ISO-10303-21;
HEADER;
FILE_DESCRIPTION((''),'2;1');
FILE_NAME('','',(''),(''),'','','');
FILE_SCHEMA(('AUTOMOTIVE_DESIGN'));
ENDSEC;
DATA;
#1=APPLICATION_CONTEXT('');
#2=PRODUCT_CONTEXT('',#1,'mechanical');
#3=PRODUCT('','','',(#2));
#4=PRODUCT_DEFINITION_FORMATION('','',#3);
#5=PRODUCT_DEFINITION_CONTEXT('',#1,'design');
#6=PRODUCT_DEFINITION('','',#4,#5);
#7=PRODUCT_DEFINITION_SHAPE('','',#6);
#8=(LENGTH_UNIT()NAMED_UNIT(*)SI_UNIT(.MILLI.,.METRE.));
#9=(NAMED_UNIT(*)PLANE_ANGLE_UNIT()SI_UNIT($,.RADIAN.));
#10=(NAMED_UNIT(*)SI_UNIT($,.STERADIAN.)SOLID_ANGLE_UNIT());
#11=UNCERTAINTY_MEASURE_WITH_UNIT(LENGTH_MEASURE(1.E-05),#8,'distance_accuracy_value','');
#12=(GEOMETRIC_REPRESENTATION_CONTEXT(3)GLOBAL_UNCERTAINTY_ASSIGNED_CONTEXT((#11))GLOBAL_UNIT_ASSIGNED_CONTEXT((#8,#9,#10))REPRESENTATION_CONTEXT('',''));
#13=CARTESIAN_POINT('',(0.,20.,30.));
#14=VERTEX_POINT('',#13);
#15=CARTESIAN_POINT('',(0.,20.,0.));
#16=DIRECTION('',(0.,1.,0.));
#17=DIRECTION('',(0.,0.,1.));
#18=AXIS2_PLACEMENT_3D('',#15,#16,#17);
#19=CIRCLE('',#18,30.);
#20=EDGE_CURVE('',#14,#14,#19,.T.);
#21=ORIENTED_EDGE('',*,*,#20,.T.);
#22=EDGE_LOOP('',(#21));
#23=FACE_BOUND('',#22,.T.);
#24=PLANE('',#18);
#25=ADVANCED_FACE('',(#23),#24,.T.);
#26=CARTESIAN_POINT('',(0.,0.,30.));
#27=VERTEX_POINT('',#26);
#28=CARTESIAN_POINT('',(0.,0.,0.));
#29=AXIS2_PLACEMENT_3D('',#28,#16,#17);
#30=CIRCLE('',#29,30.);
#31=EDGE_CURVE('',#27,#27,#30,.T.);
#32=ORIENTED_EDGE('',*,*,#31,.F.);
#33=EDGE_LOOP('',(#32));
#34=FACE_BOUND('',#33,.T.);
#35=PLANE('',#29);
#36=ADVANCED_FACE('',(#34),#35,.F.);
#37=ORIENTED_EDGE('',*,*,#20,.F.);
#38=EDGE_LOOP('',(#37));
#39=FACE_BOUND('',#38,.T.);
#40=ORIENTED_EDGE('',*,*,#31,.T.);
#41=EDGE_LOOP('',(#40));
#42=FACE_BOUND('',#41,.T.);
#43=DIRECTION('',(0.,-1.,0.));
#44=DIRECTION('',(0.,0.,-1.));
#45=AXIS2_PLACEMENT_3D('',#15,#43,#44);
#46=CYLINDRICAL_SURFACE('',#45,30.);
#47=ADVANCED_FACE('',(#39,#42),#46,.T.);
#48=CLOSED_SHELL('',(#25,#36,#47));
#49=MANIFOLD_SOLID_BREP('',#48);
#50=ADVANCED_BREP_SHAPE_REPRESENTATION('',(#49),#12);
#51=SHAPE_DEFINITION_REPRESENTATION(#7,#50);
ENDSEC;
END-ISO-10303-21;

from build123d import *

# Parameters (mm, degrees)
IZIM1_R                     = 30
Y_KSEKLIK_EKSTR_ZYON1_DEPTH = 20


with BuildPart() as part:
    # Çizim1 → Yükseklik-Ekstrüzyon1 (new body)
    with BuildSketch(Plane(origin=(0, 0, 0), x_dir=(1, 0, 0), z_dir=(0, 1, 0))):
        with Locations(Location((0, 0, 0), (0, 0, 270))):
            Circle(IZIM1_R)
    extrude(amount=Y_KSEKLIK_EKSTR_ZYON1_DEPTH)


solid = part.part
